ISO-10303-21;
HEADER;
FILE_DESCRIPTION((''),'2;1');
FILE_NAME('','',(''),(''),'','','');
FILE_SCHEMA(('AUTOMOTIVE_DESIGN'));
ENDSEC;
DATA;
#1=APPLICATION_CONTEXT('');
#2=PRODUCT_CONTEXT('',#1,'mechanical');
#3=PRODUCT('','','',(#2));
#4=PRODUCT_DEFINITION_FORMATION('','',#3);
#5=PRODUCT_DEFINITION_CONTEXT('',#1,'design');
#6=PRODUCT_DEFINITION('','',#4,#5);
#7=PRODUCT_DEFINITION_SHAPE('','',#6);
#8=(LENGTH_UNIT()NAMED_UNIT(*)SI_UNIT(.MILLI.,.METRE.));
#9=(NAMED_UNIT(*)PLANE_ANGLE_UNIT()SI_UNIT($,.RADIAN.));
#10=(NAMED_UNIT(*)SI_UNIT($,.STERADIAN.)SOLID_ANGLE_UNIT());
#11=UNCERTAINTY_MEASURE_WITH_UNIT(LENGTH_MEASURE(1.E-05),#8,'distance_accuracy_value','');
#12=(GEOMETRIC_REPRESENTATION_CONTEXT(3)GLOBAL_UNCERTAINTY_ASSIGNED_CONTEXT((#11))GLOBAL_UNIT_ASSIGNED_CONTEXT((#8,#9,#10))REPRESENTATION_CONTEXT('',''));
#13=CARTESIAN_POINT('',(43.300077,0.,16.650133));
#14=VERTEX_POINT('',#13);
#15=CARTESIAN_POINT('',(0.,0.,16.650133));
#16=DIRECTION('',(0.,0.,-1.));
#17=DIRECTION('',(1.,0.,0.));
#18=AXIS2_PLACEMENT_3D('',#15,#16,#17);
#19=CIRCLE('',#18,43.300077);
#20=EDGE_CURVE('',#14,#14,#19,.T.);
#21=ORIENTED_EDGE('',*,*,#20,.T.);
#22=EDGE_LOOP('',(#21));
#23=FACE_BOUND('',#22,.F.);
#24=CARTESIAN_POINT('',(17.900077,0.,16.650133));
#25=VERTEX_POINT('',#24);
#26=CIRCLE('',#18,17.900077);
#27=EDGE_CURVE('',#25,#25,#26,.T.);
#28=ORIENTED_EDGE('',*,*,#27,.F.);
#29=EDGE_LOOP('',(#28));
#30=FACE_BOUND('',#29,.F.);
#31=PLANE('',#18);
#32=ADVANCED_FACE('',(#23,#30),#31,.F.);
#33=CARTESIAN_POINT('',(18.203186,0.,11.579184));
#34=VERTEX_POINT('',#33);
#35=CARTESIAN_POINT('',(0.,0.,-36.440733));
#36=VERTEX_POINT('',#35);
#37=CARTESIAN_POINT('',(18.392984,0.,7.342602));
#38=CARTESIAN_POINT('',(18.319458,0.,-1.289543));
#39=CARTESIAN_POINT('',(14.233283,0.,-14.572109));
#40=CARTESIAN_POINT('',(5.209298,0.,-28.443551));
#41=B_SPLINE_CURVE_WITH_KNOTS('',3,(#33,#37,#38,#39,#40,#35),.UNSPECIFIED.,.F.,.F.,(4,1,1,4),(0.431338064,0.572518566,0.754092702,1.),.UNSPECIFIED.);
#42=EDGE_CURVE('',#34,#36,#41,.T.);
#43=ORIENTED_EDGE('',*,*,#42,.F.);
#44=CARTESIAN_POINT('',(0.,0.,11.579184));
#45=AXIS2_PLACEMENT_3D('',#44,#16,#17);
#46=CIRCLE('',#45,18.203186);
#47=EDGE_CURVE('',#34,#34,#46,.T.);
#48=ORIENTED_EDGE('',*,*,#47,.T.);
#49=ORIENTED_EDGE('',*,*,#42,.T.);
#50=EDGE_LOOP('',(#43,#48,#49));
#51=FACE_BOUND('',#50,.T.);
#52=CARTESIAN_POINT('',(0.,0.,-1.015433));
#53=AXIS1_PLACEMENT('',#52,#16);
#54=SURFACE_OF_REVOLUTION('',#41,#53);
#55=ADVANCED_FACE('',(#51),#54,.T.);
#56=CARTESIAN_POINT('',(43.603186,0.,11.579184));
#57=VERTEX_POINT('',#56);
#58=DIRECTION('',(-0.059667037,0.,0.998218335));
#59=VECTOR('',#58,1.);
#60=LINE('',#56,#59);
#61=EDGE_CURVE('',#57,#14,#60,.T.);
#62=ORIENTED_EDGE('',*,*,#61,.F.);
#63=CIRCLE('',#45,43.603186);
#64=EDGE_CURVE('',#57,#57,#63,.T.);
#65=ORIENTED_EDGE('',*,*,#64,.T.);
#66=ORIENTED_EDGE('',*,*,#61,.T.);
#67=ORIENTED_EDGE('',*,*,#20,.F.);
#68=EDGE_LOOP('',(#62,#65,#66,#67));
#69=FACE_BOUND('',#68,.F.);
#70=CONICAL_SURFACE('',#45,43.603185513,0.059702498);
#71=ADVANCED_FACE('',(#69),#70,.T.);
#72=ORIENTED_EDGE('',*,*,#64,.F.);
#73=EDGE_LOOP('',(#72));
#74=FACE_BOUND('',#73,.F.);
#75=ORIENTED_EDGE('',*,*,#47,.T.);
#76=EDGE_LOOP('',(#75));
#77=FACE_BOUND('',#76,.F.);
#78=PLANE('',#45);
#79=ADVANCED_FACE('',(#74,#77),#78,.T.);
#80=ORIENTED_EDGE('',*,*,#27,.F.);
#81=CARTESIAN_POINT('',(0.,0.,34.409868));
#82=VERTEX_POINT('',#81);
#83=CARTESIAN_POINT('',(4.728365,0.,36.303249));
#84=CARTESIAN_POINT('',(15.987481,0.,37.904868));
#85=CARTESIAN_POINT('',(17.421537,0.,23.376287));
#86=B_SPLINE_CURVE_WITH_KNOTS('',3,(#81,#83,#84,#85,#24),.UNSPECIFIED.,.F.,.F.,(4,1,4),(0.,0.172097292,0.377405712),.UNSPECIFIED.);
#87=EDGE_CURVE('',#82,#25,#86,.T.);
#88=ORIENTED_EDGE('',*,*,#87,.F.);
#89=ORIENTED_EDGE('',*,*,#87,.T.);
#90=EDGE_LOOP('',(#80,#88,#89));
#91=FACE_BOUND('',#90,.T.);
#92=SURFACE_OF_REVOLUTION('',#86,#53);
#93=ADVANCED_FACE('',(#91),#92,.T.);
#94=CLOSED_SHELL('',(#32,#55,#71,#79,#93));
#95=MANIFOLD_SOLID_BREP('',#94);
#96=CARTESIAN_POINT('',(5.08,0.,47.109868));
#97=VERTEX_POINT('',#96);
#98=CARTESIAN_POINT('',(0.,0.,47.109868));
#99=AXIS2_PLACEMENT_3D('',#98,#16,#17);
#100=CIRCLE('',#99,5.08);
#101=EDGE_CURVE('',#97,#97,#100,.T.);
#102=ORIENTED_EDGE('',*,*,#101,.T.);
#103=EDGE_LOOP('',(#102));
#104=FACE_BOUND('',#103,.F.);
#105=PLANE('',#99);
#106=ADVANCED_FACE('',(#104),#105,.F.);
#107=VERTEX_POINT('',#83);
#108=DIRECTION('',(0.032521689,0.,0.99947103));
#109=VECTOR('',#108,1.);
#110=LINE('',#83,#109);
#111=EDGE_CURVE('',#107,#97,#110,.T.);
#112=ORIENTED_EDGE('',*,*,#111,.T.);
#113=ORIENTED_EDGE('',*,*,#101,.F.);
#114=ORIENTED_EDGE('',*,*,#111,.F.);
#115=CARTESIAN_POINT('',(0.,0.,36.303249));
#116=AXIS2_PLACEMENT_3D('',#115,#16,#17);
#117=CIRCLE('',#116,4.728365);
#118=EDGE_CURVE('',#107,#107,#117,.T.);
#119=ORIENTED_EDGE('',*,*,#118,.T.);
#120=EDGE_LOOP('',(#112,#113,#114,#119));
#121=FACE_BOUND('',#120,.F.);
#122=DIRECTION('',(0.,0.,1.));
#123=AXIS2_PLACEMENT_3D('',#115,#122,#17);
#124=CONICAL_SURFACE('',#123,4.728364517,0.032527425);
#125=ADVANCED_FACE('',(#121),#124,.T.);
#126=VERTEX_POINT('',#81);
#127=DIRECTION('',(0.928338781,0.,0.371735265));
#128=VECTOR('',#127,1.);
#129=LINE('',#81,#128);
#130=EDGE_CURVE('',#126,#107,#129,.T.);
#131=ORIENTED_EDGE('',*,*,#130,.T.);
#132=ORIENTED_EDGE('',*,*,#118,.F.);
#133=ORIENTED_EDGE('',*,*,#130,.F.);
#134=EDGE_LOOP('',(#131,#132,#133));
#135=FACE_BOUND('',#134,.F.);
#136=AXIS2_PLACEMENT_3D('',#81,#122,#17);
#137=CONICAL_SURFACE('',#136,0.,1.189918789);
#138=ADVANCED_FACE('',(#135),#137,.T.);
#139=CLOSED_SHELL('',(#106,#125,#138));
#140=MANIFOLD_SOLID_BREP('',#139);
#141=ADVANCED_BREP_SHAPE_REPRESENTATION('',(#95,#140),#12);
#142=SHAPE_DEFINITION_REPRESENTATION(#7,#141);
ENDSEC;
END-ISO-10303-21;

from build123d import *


with BuildPart() as f1:
    # F0 (on Front) → F1 (revolve)
    with BuildSketch(Plane.XZ):
        with BuildLine():
            Line((43.3000769657, 16.6501328058), (17.9000769657, 16.6501328058))
            add(Edge.make_bspline(
                [(17.9000769657, 16.6501328058), (18.0257842821, 14.8832432086), (18.1306804485, 13.1975997659), (18.2031855134, 11.579183663)],
                knots=[0.3774057125, 0.3774057125, 0.3774057125, 0.3774057125, 0.4313380636, 0.4313380636, 0.4313380636, 0.4313380636], degree=3))
            Line((18.2031855134, 11.579183663), (43.6031855134, 11.579183663))
            Line((43.6031855134, 11.579183663), (43.3000769657, 16.6501328058))
        make_face()
        with BuildLine():
            Line((0, 34.4098675769), (0, 0))
            Line((0, 0), (0, -36.4407328852))
            add(Edge.make_bspline(
                [(18.2031855134, 11.579183663), (18.3929844245, 7.3426021977), (18.3194584906, -1.2895432455), (14.2332829901, -14.5721090749), (5.2092980616, -28.4435507072), (0, -36.4407328852)],
                knots=[0.4313380636, 0.4313380636, 0.4313380636, 0.4313380636, 0.5725185663, 0.754092702, 1, 1, 1, 1], degree=3))
            add(Edge.make_bspline(
                [(17.9000769657, 16.6501328058), (18.0257842821, 14.8832432086), (18.1306804485, 13.1975997659), (18.2031855134, 11.579183663)],
                knots=[0.3774057125, 0.3774057125, 0.3774057125, 0.3774057125, 0.4313380636, 0.4313380636, 0.4313380636, 0.4313380636], degree=3))
            add(Edge.make_bspline(
                [(0, 34.4098675769), (4.7283645169, 36.3032494687), (15.9874810549, 37.90486785), (17.4215372761, 23.3762870521), (17.9000769657, 16.6501328058)],
                knots=[0, 0, 0, 0, 0.1720972922, 0.3774057125, 0.3774057125, 0.3774057125, 0.3774057125], degree=3))
        make_face()
    revolve(axis=Axis((0, 0, -1.0154326542), (0, 0, -1)))


with BuildPart() as f1b:
    # F0 (on Front) → F1, piece 2 (revolve)
    with BuildSketch(Plane.XZ):
        Polygon((0, 47.1098675769), (0, 34.4098675769), (4.7283645169, 36.3032494687), (5.08, 47.1098675769), align=None)
    revolve(axis=Axis((0, 0, -1.0154326542), (0, 0, -1)))


solid = Compound([f1.part, f1b.part])
